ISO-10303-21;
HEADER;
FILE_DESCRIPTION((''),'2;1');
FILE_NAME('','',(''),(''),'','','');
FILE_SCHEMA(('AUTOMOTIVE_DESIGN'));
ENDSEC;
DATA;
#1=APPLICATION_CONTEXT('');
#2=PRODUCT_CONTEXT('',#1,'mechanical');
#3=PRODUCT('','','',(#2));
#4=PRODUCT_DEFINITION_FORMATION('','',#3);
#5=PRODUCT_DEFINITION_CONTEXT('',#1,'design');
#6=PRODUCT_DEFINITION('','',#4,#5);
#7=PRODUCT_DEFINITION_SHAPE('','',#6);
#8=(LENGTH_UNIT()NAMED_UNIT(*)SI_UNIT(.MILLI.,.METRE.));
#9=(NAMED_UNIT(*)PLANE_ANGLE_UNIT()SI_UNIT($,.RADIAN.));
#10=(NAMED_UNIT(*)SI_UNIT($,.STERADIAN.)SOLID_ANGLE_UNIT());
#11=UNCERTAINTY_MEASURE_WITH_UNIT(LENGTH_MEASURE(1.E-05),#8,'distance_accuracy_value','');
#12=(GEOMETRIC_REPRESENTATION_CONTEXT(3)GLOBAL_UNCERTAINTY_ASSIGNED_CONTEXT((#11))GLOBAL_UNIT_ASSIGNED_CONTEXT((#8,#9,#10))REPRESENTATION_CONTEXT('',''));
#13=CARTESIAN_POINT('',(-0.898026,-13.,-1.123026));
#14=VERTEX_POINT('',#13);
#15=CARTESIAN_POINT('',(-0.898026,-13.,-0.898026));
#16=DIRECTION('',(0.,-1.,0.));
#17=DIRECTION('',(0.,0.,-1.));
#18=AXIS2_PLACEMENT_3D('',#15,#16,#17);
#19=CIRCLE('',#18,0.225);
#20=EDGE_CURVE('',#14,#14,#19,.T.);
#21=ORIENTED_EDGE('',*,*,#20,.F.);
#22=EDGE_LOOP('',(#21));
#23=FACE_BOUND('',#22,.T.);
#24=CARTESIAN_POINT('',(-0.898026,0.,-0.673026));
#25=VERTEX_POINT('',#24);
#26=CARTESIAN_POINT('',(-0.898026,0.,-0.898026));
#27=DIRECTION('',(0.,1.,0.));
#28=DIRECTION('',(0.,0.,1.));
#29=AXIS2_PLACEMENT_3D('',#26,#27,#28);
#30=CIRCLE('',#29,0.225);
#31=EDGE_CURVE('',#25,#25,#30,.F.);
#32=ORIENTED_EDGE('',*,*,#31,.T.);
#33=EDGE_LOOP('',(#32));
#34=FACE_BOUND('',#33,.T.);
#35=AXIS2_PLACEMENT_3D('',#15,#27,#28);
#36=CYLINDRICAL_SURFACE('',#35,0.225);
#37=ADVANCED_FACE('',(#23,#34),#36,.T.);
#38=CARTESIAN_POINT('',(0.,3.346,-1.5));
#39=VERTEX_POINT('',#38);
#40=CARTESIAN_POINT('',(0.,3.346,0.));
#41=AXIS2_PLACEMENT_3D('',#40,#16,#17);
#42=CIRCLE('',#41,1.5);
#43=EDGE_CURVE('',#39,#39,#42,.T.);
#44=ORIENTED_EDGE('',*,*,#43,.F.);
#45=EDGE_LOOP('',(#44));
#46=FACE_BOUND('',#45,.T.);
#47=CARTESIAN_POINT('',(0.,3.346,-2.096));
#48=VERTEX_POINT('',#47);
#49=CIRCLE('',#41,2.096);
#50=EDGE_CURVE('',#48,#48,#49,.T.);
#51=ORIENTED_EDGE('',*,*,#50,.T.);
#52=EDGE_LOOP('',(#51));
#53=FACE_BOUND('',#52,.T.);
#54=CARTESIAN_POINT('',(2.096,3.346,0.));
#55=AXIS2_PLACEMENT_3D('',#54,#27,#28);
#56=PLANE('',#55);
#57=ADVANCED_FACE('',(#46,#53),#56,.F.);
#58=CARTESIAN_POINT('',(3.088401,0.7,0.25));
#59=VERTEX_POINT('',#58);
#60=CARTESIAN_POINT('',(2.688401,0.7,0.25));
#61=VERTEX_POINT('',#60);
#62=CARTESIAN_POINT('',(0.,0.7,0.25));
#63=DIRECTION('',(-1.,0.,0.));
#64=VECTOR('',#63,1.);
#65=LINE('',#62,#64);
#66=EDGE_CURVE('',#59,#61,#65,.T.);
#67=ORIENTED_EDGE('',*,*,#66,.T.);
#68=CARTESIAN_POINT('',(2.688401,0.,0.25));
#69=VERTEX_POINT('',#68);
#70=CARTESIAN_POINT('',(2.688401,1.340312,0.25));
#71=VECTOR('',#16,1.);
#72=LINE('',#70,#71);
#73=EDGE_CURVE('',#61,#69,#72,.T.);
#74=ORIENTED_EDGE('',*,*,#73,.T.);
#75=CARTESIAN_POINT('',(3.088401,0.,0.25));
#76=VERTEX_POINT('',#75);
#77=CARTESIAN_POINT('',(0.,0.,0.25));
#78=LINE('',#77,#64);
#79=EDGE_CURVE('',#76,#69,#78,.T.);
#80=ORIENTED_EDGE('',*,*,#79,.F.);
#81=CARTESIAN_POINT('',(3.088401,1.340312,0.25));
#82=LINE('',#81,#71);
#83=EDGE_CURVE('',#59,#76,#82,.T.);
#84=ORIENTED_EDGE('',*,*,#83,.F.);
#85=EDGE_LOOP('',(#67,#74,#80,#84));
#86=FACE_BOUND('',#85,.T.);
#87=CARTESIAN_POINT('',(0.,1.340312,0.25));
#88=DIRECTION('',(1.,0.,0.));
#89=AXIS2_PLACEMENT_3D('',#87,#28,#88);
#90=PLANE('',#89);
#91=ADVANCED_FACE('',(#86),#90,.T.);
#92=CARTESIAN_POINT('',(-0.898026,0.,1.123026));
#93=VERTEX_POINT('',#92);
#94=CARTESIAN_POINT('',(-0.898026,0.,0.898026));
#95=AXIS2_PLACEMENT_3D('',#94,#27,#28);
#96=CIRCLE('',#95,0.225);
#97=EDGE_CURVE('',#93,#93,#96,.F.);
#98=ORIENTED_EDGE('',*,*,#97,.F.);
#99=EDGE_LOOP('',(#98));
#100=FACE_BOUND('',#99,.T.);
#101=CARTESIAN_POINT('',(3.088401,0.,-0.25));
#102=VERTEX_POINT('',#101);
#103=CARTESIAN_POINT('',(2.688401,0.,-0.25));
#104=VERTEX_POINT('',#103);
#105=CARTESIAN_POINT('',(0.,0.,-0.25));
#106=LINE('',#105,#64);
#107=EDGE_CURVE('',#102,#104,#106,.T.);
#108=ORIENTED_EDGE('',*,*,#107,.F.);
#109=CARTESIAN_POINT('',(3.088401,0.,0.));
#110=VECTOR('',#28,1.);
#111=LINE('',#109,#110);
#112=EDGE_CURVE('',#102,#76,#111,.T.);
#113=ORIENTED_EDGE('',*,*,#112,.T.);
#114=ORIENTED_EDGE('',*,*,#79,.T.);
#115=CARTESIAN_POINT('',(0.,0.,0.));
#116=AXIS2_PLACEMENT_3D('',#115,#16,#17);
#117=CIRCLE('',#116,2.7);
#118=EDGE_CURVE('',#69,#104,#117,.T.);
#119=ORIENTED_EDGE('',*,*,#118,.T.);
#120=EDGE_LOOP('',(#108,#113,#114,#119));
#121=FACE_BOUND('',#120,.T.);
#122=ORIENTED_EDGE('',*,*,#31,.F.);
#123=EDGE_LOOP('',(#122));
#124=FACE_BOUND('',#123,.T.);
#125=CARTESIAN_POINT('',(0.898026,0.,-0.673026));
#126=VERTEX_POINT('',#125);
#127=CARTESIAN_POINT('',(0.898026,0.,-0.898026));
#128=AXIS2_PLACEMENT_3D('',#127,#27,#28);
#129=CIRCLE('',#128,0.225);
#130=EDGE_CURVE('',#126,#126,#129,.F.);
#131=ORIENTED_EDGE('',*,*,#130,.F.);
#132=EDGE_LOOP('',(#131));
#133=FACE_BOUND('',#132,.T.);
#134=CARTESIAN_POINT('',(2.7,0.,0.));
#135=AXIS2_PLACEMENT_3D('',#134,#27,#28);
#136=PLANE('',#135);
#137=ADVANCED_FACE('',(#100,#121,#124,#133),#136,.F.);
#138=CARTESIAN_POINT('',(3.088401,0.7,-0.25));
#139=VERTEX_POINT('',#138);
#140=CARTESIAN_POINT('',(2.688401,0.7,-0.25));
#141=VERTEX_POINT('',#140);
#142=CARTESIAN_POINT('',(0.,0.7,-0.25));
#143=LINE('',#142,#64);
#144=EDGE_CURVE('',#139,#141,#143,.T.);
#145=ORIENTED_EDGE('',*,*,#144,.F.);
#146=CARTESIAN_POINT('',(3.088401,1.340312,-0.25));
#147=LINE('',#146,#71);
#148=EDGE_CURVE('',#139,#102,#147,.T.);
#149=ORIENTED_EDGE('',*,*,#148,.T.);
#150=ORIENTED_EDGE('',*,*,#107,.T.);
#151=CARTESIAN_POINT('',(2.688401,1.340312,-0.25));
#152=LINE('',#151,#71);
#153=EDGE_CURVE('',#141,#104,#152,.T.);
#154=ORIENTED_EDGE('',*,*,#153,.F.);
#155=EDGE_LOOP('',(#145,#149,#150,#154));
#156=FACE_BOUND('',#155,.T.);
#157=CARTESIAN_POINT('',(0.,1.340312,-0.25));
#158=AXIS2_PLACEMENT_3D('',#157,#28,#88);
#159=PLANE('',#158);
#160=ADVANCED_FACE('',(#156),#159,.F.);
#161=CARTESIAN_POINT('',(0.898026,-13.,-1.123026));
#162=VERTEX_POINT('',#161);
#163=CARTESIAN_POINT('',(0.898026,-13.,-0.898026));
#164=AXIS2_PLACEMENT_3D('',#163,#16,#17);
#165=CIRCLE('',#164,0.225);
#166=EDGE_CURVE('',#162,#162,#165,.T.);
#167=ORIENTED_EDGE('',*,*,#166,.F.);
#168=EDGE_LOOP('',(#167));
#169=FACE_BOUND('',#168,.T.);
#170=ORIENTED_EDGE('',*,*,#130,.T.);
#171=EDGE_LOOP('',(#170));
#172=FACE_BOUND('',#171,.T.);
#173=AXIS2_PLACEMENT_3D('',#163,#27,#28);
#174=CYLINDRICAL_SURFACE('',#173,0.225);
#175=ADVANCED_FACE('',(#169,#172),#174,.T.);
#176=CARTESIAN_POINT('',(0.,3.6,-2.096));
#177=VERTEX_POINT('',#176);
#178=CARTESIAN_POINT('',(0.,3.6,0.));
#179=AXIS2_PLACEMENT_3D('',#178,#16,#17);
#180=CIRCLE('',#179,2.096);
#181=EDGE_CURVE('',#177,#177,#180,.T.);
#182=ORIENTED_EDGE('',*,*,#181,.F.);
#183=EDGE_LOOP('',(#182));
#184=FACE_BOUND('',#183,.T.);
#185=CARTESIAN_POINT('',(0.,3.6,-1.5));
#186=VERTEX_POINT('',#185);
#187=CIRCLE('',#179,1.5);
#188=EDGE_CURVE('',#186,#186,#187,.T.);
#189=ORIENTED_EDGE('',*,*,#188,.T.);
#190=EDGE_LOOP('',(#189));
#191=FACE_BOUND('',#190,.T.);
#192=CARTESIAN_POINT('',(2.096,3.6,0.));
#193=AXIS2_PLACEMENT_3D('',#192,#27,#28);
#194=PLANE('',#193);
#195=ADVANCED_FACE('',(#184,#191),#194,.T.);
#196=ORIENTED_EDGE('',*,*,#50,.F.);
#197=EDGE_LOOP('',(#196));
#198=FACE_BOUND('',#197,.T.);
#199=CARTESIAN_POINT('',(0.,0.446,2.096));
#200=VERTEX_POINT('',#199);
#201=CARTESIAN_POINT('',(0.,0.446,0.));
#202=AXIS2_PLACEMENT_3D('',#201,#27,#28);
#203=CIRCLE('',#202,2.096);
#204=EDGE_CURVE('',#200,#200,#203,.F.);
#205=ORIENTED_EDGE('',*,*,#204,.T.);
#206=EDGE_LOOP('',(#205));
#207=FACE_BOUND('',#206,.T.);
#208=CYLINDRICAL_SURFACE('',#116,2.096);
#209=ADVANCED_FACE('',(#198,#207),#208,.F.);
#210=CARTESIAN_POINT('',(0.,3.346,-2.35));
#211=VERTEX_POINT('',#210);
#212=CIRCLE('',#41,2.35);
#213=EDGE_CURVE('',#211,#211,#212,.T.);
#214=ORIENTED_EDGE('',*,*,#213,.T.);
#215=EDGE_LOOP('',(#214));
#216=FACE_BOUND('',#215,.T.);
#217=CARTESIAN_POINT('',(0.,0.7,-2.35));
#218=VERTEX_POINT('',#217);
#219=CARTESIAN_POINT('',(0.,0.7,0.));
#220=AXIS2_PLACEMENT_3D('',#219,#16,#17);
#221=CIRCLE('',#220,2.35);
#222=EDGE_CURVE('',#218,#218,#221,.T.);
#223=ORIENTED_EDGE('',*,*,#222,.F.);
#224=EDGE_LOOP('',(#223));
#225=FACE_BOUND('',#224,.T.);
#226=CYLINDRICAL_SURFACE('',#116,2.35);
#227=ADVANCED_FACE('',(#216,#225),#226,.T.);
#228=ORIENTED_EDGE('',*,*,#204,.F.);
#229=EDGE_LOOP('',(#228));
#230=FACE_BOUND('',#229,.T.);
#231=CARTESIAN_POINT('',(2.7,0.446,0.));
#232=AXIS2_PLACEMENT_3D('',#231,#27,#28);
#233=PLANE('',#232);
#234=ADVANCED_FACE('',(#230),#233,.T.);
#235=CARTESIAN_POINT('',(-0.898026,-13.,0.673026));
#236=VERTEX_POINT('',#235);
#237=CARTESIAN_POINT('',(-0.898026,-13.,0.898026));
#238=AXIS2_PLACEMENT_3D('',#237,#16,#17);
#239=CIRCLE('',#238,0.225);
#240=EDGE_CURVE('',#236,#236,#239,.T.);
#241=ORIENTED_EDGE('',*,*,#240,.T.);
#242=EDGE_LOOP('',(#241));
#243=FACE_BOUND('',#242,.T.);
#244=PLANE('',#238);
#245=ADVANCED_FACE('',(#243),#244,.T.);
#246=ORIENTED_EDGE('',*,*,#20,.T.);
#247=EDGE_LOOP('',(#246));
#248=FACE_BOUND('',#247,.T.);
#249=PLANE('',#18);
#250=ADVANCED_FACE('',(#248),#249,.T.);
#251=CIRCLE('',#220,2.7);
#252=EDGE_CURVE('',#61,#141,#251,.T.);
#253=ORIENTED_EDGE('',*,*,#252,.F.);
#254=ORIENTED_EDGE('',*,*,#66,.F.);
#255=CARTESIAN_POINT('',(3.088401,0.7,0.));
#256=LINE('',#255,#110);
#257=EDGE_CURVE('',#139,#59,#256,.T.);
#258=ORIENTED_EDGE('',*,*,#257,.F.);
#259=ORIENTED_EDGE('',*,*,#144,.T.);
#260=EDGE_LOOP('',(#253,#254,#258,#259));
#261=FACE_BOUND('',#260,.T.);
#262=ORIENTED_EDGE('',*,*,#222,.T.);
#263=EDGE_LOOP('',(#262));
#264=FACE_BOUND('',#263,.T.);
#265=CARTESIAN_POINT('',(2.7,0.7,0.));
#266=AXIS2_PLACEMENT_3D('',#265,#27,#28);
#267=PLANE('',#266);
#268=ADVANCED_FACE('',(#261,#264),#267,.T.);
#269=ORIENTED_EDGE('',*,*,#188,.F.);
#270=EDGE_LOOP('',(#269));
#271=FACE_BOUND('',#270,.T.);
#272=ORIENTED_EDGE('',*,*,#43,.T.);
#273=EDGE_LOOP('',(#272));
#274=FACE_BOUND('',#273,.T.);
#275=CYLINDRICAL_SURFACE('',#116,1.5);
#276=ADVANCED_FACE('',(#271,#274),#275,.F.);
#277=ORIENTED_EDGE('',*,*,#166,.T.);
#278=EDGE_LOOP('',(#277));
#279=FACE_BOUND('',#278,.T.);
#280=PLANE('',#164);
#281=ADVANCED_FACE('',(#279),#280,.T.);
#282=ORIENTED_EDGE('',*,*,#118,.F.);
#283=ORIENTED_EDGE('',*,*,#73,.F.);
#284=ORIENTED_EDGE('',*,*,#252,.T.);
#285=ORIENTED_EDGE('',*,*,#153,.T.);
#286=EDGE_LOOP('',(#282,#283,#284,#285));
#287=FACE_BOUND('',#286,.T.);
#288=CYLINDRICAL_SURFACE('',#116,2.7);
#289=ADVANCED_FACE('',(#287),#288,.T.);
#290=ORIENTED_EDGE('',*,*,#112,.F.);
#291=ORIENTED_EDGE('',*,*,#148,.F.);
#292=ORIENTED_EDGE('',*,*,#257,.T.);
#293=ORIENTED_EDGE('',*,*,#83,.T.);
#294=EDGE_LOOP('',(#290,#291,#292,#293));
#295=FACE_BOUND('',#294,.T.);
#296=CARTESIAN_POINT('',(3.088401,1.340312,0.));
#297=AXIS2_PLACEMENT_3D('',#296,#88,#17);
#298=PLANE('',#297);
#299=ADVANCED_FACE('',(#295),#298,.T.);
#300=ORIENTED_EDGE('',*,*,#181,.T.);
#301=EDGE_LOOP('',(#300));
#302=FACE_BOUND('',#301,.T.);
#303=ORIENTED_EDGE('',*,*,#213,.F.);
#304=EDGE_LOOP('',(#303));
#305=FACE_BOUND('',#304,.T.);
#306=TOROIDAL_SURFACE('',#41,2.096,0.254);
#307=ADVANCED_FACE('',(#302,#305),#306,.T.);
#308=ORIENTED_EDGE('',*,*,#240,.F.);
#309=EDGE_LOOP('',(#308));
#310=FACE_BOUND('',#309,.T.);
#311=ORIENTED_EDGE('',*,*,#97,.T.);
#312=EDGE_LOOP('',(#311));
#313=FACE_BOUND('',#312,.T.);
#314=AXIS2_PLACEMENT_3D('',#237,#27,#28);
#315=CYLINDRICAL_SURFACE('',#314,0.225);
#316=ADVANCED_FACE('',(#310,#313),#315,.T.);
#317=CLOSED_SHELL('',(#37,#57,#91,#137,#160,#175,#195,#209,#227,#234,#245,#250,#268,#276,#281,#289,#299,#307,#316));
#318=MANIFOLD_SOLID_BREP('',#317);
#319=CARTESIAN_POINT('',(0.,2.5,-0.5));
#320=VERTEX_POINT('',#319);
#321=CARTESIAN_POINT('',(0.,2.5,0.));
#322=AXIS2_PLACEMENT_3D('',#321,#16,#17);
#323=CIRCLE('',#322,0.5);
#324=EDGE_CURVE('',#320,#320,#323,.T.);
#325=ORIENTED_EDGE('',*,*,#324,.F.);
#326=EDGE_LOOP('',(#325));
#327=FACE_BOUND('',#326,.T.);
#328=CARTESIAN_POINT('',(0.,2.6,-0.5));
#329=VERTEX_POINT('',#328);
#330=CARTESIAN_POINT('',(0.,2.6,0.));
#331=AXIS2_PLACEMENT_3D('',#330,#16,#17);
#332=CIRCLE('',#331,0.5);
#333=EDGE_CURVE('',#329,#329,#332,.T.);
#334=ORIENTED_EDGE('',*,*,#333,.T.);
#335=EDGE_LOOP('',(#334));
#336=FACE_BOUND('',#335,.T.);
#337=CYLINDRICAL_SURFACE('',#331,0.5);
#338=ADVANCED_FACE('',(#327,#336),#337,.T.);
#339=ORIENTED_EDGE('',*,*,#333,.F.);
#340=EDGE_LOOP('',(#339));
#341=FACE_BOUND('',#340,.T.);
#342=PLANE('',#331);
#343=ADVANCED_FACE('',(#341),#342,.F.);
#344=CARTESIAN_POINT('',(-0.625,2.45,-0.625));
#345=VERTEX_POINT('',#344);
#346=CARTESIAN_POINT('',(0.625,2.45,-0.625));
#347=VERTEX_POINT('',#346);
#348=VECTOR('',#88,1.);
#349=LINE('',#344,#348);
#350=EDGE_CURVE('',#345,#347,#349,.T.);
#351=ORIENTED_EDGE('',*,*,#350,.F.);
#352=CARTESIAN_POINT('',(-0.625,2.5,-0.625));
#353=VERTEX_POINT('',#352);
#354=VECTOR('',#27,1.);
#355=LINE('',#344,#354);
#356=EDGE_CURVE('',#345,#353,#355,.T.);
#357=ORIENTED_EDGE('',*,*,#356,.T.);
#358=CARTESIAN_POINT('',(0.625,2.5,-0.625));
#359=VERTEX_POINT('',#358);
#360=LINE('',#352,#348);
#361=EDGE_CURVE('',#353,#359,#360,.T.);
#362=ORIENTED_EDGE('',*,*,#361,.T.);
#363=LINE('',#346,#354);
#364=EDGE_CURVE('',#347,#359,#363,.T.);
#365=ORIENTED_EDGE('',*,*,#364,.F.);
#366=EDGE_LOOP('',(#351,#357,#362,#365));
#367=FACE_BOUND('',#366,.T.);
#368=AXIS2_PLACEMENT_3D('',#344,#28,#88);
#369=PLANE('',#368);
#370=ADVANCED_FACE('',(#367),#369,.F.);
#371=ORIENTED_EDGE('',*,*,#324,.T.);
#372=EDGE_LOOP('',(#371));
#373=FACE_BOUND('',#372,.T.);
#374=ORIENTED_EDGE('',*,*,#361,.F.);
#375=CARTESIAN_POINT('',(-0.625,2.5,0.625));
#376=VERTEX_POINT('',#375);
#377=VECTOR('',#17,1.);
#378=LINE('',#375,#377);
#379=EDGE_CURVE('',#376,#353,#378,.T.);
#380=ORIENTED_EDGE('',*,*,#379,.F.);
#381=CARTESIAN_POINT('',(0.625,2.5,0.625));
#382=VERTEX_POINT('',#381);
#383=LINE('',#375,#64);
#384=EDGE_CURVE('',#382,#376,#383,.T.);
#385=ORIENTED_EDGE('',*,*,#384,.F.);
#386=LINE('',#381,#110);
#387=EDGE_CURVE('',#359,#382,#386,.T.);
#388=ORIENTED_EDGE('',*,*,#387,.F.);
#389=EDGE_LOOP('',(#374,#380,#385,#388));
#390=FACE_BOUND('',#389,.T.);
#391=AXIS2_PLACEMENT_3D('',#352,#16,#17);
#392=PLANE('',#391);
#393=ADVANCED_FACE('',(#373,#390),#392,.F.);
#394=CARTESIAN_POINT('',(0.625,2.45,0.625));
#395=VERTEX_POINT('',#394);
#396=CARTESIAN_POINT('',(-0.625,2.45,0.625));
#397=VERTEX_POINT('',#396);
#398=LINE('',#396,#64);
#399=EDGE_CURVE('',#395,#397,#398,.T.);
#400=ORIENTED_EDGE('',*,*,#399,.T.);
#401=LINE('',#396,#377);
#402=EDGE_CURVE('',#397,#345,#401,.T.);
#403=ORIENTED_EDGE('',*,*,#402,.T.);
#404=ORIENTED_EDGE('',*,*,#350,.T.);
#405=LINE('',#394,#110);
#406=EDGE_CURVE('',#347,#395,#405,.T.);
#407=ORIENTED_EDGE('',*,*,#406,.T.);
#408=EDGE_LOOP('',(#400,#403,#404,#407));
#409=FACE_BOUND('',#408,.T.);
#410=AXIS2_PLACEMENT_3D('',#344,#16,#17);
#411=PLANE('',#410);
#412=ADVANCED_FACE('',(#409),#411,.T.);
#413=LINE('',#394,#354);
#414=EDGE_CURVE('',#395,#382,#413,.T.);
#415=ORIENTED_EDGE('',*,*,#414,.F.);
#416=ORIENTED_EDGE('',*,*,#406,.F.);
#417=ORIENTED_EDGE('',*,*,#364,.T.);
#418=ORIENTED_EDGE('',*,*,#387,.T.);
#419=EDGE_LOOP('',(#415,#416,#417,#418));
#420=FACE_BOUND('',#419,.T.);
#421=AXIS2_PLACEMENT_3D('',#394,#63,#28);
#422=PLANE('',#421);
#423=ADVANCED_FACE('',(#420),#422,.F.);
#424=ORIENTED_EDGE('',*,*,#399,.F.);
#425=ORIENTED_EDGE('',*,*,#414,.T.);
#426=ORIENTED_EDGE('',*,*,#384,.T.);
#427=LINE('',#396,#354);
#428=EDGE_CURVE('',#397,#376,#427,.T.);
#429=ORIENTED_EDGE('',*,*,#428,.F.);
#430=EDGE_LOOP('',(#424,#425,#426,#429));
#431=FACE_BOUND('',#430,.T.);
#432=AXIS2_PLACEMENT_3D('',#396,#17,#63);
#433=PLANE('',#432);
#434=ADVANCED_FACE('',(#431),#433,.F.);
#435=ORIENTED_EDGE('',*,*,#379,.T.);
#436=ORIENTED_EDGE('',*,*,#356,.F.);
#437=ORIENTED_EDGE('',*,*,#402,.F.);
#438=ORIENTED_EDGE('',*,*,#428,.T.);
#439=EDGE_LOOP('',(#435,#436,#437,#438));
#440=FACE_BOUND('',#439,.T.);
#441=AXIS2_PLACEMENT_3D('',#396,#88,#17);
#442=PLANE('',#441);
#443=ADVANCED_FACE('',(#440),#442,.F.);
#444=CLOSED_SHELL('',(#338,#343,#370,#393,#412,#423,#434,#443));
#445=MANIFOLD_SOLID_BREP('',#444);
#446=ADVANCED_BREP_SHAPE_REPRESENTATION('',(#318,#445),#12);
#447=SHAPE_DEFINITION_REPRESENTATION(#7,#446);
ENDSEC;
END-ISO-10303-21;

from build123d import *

# Parameters (mm, degrees)
SKETCH2_R           = 2.7
BOSS_EXTRUDE1_DEPTH = 0.446
BOSS_EXTRUDE2_START = -2.5
SKETCH3_W           = 1.25
SKETCH3_H           = 1.25
BOSS_EXTRUDE2_DEPTH = 0.05
SKETCH8_R           = 0.5
BOSS_EXTRUDE6_DEPTH = 0.1
BOSS_EXTRUDE8_DEPTH = 0.7
SKETCH5_R           = 0.225
BOSS_EXTRUDE4_DEPTH = 13


with BuildPart() as part:
    # Sketch1 → Revolve-Thin2 (revolve)
    with BuildSketch(Plane.XY, mode=Mode.PRIVATE) as revolve_thin2_sk:
        with BuildLine():
            Line((2.7, 0), (2.7, 0.7))
            Line((2.7, 0.7), (2.35, 0.7))
            Line((2.35, 0.7), (2.35, 3.346))
            ThreePointArc((2.35, 3.346), (2.275605122, 3.525605122), (2.096, 3.6))
            Line((2.096, 3.6), (1.5, 3.6))
            Line((1.5, 3.6), (1.5, 3.346))
            Line((1.5, 3.346), (2.096, 3.346))
            Line((2.096, 3.346), (2.096, 0.446))
            Line((2.096, 0.446), (2.446, 0.446))
            Line((2.446, 0.446), (2.446, 0))
            Line((2.446, 0), (2.7, 0))
        make_face()
    revolve(revolve_thin2_sk.sketch.rotate(Axis((0, 0, 0), (0, 1, 0)), 90), axis=Axis((0, 0, 0), (0, 1, 0)))  # turned: the seam where the file's is

    # Sketch2 → Boss-Extrude1 (add)
    with BuildSketch(Plane.XZ):
        with Locations(Location((0, 0, 0), (0, 0, 270))):  # turned: the seam where the file's is
            Circle(SKETCH2_R)
    extrude(amount=-BOSS_EXTRUDE1_DEPTH)

    # Sketch11 → Boss-Extrude8 (add)
    with BuildSketch(Plane.XZ):
        with BuildLine():
            Line((3.088401012, -0.25), (3.088401012, 0))
            Line((3.088401012, 0), (3.088401012, 0.25))
            Line((3.088401012, 0.25), (2.688401012, 0.25))
            ThreePointArc((2.688401012, 0.25), (2.697098694, 0.125134464), (2.7, 0))
            ThreePointArc((2.7, 0), (2.697098694, -0.125134464), (2.688401012, -0.25))
            Line((2.688401012, -0.25), (3.088401012, -0.25))
        make_face()
    extrude(amount=-BOSS_EXTRUDE8_DEPTH)

    # Sketch5 → Boss-Extrude4 (add)
    with BuildSketch(Plane.XZ):
        with Locations(Location((0.898025612, -0.898025612, 0), (0, 0, 90))):  # turned: the seam where the file's is
            Circle(SKETCH5_R)
        with Locations(Location((-0.898025612, 0.898025612, 0), (0, 0, 90))):  # turned: the seam where the file's is
            Circle(SKETCH5_R)
        with Locations(Location((-0.898025612, -0.898025612, 0), (0, 0, 90))):  # turned: the seam where the file's is
            Circle(SKETCH5_R)
    extrude(amount=BOSS_EXTRUDE4_DEPTH)


with BuildPart() as body_2:
    # Sketch3 → Boss-Extrude2 (new body)
    with BuildSketch(Plane.XZ.offset(BOSS_EXTRUDE2_START)):
        Rectangle(SKETCH3_W, SKETCH3_H)
    extrude(amount=BOSS_EXTRUDE2_DEPTH)

    # Sketch8 → Boss-Extrude6 (add)
    with BuildSketch(Plane(origin=(0, 2.5, 0), x_dir=(-1, 0, 0), z_dir=(0, 1, 0))):
        with Locations(Location((0, 0, 0), (0, 0, 270))):  # turned: the seam where the file's is
            Circle(SKETCH8_R)
    extrude(amount=BOSS_EXTRUDE6_DEPTH)


solid = Compound([part.part, body_2.part])
